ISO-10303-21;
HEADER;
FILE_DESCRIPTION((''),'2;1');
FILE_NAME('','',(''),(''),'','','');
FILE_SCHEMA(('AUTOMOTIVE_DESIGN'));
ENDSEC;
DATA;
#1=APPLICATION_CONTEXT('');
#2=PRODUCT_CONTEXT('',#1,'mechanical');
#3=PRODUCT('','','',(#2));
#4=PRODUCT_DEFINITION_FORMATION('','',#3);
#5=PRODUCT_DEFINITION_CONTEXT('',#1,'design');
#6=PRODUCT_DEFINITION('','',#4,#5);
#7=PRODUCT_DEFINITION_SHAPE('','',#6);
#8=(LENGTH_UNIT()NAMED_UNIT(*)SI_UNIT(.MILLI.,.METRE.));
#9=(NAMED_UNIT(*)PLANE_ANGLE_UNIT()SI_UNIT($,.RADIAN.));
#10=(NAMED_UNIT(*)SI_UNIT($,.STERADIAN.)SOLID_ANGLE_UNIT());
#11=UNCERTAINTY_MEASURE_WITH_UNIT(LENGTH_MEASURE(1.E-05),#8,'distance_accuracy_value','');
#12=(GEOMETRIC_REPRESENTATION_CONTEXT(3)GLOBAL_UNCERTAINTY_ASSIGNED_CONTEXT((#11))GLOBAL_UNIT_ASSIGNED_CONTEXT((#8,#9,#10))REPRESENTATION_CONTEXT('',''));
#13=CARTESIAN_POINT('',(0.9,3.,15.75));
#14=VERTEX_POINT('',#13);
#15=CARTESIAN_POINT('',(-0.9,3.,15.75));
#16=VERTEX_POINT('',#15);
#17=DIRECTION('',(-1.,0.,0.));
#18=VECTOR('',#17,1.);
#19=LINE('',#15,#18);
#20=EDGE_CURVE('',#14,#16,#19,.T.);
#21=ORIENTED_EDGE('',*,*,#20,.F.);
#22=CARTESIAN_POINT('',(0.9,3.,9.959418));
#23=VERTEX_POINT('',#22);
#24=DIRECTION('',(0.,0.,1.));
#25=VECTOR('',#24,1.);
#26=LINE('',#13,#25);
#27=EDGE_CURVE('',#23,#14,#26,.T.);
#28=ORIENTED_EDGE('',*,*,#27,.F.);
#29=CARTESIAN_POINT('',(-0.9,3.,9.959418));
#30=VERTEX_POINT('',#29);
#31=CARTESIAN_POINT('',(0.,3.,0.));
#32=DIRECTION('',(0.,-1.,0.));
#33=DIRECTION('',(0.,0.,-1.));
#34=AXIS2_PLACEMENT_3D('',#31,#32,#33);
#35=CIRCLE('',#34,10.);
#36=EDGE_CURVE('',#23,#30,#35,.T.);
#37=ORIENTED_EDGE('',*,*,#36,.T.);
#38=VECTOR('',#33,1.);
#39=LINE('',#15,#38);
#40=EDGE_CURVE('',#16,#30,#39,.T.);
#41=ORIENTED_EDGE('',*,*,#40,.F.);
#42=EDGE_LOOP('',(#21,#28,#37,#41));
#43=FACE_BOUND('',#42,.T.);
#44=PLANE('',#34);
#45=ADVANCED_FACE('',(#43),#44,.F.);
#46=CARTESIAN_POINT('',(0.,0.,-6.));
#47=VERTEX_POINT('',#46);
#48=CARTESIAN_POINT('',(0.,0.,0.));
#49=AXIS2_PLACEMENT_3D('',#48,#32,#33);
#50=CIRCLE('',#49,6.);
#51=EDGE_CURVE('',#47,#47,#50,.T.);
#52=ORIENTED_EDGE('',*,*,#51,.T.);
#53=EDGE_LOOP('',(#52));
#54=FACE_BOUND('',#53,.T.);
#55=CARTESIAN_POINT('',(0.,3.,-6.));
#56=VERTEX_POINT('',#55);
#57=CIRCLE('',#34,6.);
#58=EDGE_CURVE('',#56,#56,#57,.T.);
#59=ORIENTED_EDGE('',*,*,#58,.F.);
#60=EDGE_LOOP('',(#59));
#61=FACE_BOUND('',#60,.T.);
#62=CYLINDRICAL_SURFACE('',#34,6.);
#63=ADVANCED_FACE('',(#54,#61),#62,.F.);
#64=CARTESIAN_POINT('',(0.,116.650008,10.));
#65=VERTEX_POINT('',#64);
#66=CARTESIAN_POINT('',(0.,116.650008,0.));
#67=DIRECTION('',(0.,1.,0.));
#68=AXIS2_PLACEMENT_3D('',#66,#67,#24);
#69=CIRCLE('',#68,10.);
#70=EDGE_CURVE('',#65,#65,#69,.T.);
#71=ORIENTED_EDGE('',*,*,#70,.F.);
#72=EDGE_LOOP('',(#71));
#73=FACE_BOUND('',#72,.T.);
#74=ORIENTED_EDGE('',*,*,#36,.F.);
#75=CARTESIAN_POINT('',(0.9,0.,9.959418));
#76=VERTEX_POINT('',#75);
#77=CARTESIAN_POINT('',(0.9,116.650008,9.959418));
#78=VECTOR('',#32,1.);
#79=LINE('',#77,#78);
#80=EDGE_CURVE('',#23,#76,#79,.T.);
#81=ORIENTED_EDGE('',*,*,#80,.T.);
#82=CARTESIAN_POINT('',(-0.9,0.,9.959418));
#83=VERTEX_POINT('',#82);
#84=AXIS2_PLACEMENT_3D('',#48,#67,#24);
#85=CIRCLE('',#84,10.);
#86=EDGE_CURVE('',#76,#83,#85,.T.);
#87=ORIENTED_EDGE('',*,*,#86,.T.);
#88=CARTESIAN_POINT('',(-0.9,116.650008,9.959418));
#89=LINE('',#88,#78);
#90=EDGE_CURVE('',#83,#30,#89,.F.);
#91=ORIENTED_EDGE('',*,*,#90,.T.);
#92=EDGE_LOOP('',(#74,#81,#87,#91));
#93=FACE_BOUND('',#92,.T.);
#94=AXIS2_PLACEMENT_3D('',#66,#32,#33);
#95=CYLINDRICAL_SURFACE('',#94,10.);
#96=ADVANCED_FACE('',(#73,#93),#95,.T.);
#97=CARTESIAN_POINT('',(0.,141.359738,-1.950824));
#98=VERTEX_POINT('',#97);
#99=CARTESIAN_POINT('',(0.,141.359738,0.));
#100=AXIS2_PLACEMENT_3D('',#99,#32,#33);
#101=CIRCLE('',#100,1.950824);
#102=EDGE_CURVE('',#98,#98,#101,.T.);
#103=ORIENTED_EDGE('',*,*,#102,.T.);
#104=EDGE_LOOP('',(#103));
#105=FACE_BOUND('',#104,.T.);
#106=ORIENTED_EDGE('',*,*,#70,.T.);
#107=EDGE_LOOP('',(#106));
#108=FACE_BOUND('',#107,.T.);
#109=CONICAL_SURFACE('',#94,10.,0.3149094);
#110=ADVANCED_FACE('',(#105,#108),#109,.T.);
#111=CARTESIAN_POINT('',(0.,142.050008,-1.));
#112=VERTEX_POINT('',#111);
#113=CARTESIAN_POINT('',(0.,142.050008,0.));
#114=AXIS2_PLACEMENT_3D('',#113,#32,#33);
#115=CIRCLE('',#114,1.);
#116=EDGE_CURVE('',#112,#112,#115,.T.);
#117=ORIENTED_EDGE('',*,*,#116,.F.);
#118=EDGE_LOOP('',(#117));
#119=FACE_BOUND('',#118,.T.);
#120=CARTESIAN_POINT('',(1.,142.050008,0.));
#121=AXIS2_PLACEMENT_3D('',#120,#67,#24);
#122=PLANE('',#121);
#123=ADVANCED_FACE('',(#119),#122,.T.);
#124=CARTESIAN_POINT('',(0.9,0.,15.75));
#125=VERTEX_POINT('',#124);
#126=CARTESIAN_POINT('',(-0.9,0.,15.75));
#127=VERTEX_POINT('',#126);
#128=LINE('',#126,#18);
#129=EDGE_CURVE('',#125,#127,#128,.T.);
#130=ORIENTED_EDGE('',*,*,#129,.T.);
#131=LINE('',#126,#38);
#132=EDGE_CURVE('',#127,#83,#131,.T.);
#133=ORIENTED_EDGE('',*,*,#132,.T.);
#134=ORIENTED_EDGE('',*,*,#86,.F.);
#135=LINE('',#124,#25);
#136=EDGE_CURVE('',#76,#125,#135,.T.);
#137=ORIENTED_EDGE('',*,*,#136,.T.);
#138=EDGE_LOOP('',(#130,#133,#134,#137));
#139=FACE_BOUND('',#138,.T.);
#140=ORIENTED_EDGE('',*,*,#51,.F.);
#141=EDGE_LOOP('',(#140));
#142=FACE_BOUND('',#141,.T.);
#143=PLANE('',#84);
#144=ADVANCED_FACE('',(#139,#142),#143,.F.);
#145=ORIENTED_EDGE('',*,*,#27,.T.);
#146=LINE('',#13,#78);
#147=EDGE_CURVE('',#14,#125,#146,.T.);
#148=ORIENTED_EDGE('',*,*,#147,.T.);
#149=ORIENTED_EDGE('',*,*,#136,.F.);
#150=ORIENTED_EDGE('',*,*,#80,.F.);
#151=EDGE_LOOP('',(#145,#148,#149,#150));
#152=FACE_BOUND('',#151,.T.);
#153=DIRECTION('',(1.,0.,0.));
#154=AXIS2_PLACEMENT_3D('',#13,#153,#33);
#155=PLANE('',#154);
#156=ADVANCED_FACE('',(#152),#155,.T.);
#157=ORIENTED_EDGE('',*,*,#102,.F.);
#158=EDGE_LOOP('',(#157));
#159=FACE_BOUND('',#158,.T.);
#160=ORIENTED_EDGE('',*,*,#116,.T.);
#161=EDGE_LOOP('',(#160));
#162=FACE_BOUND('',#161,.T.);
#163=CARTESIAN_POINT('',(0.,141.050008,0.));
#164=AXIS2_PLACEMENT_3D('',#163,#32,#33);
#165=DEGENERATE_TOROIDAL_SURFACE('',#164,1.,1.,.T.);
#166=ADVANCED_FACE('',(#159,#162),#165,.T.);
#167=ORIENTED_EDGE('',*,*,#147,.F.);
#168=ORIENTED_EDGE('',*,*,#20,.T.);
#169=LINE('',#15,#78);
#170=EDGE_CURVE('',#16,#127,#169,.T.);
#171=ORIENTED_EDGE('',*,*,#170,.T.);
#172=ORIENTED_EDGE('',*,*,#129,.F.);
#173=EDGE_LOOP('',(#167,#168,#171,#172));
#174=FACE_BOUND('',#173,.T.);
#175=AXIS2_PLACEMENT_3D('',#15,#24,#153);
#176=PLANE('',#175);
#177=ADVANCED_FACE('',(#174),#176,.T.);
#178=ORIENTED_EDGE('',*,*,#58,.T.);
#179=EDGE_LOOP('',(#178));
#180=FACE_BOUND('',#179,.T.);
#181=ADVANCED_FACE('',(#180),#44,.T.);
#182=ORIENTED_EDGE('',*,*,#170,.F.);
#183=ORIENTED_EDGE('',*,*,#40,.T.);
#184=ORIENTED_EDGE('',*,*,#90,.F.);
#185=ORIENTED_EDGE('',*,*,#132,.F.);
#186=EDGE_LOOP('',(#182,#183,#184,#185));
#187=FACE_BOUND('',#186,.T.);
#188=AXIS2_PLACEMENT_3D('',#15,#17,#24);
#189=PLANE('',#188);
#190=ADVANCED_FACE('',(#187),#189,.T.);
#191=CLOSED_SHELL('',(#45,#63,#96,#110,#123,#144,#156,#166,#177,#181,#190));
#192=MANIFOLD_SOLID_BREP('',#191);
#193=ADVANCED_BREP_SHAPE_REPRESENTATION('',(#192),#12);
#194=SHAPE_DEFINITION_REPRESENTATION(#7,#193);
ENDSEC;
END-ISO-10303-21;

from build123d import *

# Parameters (mm, degrees)
SKETCH1_R           = 10
BOSS_EXTRUDE1_DEPTH = 116.650008
BOSS_EXTRUDE2_DEPTH = 3
SKETCH4_R           = 6
CUT_EXTRUDE1_DEPTH  = 3


with BuildPart() as part:
    # Sketch1 → Boss-Extrude1 (new body)
    with BuildSketch(Plane(origin=(0, 0, 0), x_dir=(1, 0, 0), z_dir=(0, 1, 0))):
        Circle(SKETCH1_R)
    extrude(amount=BOSS_EXTRUDE1_DEPTH)

    # Sketch2 → Revolve1 (revolve)
    with BuildSketch(Plane.XY):
        with BuildLine():
            Line((0, 116.650008), (0, 142.050008))
            Line((0, 142.050008), (1, 142.050008))
            ThreePointArc((1, 142.050008), (1.587481775, 141.859245397), (1.950824444, 141.359738328))
            Line((1.950824444, 141.359738328), (10, 116.650008))
            Line((10, 116.650008), (0, 116.650008))
        make_face()
    revolve(axis=Axis((0, 116.650008, 0), (0, 1, 0)))

    # Sketch3 → Boss-Extrude2 (add)
    with BuildSketch(Plane.XZ):
        with BuildLine():
            Line((-0.9, 15.75), (0.9, 15.75))
            Line((0.9, 15.75), (0.9, 9.354806465))
            ThreePointArc((0.9, 9.354806465), (0, 9.398), (-0.9, 9.354806465))
            Line((-0.9, 9.354806465), (-0.9, 15.75))
        make_face()
    extrude(amount=-BOSS_EXTRUDE2_DEPTH)

    # Sketch4 → Cut-Extrude1 (cut)
    with BuildSketch(Plane.XZ):
        Circle(SKETCH4_R)
    extrude(amount=-CUT_EXTRUDE1_DEPTH, mode=Mode.SUBTRACT)


solid = part.part
